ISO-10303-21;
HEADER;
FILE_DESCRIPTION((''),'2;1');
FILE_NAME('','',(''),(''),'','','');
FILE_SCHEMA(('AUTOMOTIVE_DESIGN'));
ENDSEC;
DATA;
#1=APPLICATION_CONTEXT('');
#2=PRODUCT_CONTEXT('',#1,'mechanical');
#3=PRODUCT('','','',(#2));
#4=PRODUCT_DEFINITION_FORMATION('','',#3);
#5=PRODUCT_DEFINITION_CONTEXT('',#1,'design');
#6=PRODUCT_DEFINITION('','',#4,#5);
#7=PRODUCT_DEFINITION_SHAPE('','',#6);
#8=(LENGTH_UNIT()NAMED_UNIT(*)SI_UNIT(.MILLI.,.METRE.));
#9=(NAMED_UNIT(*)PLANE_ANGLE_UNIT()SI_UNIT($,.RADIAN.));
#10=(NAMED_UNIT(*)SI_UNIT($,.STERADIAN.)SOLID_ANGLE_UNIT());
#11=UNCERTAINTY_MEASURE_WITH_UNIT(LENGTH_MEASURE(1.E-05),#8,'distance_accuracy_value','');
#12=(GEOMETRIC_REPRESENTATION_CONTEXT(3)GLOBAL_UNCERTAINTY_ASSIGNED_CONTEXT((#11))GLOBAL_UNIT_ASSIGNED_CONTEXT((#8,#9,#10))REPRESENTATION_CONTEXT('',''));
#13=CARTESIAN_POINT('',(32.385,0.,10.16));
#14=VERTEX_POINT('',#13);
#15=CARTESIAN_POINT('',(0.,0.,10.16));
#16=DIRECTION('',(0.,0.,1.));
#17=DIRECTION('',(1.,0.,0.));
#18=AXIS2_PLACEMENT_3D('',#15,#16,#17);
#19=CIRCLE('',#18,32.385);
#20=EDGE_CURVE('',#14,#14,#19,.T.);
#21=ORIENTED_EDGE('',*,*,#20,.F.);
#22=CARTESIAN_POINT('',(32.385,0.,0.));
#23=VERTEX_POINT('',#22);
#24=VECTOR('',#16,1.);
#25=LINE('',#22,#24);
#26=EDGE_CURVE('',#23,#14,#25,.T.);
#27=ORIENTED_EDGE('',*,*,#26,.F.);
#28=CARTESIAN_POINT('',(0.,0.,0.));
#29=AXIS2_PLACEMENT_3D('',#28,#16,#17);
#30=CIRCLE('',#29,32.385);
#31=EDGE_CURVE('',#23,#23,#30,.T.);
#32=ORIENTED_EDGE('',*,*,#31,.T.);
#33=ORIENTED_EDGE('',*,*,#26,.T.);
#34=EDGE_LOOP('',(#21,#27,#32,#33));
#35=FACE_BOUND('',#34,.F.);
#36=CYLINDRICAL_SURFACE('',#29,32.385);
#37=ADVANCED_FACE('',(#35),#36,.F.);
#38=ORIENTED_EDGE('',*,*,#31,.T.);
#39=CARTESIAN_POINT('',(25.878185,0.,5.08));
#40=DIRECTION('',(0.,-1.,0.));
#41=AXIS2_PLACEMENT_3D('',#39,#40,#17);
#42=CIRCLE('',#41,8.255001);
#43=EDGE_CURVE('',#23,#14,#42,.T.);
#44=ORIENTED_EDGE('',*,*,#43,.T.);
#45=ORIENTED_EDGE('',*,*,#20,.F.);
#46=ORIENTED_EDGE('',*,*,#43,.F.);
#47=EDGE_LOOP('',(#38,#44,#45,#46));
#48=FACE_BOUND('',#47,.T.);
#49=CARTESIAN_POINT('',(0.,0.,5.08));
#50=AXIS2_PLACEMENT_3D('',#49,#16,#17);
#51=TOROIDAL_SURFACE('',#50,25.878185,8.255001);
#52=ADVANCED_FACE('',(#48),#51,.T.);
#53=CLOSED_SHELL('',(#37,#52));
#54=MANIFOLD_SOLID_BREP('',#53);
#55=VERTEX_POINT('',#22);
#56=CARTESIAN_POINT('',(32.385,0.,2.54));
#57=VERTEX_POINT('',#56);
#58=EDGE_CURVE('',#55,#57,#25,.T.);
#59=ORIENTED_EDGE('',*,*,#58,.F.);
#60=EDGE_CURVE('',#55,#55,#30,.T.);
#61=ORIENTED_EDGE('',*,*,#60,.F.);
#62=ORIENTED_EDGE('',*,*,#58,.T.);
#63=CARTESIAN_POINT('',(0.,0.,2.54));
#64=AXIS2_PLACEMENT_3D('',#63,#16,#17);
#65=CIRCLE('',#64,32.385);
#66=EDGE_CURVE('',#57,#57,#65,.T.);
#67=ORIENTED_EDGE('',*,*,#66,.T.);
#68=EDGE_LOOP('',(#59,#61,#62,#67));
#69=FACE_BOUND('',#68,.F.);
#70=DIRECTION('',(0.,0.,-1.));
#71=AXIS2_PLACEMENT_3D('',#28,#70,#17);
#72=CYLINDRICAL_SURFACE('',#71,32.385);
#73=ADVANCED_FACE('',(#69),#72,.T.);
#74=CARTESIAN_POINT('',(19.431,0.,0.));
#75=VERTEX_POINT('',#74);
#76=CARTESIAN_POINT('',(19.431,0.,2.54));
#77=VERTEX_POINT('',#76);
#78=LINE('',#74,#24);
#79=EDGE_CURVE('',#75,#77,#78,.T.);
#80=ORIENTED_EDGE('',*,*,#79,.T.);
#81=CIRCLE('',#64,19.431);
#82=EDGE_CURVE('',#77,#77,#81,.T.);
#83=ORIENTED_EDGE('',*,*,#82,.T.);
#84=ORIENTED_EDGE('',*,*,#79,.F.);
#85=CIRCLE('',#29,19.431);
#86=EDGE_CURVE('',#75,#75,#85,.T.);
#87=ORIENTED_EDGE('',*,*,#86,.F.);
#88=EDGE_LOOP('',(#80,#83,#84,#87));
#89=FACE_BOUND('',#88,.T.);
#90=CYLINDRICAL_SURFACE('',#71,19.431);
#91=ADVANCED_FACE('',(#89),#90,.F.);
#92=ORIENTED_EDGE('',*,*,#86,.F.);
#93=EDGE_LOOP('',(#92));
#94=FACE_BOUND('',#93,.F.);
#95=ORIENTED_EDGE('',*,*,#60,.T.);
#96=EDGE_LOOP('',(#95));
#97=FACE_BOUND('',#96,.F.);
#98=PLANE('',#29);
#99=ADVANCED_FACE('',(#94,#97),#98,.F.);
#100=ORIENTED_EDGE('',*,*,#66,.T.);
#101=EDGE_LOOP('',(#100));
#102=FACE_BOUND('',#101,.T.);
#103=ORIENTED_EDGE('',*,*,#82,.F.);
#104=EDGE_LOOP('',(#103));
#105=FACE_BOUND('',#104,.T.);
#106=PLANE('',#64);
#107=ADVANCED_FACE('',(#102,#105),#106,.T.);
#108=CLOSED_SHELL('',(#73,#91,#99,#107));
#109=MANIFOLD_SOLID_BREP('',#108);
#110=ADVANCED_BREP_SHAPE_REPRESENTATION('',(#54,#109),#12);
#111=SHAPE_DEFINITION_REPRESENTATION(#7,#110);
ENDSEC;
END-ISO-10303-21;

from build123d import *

# Parameters (mm, degrees)
F0_R     = 32.385
F0_R_2   = 31.623
F0_R_3   = 19.431
F4_DEPTH = 2.54


with BuildPart() as f3:
    # F3: sweep along a path in F0
    with BuildLine(Plane.XY) as f3_path:
        CenterArc((0, 0), 32.385, 0, 360)
    # F2 (on Right) → F3 (sweep)
    with BuildSketch(Plane.YZ):
        with BuildLine():
            ThreePointArc((-32.385, 10.16), (-34.133186, 5.08), (-32.385, 0))
            Line((-32.385, 0), (-32.385, 10.16))
        make_face()
    sweep(path=f3_path.line)


with BuildPart() as f4:
    # F0 (on Top) → F4 (new body)
    with BuildSketch(Plane.XY):
        Circle(F0_R)
        Circle(F0_R_2, mode=Mode.SUBTRACT)
        Circle(F0_R_2)
        Circle(F0_R_3, mode=Mode.SUBTRACT)
    extrude(amount=F4_DEPTH)


solid = Compound([f3.part, f4.part])
